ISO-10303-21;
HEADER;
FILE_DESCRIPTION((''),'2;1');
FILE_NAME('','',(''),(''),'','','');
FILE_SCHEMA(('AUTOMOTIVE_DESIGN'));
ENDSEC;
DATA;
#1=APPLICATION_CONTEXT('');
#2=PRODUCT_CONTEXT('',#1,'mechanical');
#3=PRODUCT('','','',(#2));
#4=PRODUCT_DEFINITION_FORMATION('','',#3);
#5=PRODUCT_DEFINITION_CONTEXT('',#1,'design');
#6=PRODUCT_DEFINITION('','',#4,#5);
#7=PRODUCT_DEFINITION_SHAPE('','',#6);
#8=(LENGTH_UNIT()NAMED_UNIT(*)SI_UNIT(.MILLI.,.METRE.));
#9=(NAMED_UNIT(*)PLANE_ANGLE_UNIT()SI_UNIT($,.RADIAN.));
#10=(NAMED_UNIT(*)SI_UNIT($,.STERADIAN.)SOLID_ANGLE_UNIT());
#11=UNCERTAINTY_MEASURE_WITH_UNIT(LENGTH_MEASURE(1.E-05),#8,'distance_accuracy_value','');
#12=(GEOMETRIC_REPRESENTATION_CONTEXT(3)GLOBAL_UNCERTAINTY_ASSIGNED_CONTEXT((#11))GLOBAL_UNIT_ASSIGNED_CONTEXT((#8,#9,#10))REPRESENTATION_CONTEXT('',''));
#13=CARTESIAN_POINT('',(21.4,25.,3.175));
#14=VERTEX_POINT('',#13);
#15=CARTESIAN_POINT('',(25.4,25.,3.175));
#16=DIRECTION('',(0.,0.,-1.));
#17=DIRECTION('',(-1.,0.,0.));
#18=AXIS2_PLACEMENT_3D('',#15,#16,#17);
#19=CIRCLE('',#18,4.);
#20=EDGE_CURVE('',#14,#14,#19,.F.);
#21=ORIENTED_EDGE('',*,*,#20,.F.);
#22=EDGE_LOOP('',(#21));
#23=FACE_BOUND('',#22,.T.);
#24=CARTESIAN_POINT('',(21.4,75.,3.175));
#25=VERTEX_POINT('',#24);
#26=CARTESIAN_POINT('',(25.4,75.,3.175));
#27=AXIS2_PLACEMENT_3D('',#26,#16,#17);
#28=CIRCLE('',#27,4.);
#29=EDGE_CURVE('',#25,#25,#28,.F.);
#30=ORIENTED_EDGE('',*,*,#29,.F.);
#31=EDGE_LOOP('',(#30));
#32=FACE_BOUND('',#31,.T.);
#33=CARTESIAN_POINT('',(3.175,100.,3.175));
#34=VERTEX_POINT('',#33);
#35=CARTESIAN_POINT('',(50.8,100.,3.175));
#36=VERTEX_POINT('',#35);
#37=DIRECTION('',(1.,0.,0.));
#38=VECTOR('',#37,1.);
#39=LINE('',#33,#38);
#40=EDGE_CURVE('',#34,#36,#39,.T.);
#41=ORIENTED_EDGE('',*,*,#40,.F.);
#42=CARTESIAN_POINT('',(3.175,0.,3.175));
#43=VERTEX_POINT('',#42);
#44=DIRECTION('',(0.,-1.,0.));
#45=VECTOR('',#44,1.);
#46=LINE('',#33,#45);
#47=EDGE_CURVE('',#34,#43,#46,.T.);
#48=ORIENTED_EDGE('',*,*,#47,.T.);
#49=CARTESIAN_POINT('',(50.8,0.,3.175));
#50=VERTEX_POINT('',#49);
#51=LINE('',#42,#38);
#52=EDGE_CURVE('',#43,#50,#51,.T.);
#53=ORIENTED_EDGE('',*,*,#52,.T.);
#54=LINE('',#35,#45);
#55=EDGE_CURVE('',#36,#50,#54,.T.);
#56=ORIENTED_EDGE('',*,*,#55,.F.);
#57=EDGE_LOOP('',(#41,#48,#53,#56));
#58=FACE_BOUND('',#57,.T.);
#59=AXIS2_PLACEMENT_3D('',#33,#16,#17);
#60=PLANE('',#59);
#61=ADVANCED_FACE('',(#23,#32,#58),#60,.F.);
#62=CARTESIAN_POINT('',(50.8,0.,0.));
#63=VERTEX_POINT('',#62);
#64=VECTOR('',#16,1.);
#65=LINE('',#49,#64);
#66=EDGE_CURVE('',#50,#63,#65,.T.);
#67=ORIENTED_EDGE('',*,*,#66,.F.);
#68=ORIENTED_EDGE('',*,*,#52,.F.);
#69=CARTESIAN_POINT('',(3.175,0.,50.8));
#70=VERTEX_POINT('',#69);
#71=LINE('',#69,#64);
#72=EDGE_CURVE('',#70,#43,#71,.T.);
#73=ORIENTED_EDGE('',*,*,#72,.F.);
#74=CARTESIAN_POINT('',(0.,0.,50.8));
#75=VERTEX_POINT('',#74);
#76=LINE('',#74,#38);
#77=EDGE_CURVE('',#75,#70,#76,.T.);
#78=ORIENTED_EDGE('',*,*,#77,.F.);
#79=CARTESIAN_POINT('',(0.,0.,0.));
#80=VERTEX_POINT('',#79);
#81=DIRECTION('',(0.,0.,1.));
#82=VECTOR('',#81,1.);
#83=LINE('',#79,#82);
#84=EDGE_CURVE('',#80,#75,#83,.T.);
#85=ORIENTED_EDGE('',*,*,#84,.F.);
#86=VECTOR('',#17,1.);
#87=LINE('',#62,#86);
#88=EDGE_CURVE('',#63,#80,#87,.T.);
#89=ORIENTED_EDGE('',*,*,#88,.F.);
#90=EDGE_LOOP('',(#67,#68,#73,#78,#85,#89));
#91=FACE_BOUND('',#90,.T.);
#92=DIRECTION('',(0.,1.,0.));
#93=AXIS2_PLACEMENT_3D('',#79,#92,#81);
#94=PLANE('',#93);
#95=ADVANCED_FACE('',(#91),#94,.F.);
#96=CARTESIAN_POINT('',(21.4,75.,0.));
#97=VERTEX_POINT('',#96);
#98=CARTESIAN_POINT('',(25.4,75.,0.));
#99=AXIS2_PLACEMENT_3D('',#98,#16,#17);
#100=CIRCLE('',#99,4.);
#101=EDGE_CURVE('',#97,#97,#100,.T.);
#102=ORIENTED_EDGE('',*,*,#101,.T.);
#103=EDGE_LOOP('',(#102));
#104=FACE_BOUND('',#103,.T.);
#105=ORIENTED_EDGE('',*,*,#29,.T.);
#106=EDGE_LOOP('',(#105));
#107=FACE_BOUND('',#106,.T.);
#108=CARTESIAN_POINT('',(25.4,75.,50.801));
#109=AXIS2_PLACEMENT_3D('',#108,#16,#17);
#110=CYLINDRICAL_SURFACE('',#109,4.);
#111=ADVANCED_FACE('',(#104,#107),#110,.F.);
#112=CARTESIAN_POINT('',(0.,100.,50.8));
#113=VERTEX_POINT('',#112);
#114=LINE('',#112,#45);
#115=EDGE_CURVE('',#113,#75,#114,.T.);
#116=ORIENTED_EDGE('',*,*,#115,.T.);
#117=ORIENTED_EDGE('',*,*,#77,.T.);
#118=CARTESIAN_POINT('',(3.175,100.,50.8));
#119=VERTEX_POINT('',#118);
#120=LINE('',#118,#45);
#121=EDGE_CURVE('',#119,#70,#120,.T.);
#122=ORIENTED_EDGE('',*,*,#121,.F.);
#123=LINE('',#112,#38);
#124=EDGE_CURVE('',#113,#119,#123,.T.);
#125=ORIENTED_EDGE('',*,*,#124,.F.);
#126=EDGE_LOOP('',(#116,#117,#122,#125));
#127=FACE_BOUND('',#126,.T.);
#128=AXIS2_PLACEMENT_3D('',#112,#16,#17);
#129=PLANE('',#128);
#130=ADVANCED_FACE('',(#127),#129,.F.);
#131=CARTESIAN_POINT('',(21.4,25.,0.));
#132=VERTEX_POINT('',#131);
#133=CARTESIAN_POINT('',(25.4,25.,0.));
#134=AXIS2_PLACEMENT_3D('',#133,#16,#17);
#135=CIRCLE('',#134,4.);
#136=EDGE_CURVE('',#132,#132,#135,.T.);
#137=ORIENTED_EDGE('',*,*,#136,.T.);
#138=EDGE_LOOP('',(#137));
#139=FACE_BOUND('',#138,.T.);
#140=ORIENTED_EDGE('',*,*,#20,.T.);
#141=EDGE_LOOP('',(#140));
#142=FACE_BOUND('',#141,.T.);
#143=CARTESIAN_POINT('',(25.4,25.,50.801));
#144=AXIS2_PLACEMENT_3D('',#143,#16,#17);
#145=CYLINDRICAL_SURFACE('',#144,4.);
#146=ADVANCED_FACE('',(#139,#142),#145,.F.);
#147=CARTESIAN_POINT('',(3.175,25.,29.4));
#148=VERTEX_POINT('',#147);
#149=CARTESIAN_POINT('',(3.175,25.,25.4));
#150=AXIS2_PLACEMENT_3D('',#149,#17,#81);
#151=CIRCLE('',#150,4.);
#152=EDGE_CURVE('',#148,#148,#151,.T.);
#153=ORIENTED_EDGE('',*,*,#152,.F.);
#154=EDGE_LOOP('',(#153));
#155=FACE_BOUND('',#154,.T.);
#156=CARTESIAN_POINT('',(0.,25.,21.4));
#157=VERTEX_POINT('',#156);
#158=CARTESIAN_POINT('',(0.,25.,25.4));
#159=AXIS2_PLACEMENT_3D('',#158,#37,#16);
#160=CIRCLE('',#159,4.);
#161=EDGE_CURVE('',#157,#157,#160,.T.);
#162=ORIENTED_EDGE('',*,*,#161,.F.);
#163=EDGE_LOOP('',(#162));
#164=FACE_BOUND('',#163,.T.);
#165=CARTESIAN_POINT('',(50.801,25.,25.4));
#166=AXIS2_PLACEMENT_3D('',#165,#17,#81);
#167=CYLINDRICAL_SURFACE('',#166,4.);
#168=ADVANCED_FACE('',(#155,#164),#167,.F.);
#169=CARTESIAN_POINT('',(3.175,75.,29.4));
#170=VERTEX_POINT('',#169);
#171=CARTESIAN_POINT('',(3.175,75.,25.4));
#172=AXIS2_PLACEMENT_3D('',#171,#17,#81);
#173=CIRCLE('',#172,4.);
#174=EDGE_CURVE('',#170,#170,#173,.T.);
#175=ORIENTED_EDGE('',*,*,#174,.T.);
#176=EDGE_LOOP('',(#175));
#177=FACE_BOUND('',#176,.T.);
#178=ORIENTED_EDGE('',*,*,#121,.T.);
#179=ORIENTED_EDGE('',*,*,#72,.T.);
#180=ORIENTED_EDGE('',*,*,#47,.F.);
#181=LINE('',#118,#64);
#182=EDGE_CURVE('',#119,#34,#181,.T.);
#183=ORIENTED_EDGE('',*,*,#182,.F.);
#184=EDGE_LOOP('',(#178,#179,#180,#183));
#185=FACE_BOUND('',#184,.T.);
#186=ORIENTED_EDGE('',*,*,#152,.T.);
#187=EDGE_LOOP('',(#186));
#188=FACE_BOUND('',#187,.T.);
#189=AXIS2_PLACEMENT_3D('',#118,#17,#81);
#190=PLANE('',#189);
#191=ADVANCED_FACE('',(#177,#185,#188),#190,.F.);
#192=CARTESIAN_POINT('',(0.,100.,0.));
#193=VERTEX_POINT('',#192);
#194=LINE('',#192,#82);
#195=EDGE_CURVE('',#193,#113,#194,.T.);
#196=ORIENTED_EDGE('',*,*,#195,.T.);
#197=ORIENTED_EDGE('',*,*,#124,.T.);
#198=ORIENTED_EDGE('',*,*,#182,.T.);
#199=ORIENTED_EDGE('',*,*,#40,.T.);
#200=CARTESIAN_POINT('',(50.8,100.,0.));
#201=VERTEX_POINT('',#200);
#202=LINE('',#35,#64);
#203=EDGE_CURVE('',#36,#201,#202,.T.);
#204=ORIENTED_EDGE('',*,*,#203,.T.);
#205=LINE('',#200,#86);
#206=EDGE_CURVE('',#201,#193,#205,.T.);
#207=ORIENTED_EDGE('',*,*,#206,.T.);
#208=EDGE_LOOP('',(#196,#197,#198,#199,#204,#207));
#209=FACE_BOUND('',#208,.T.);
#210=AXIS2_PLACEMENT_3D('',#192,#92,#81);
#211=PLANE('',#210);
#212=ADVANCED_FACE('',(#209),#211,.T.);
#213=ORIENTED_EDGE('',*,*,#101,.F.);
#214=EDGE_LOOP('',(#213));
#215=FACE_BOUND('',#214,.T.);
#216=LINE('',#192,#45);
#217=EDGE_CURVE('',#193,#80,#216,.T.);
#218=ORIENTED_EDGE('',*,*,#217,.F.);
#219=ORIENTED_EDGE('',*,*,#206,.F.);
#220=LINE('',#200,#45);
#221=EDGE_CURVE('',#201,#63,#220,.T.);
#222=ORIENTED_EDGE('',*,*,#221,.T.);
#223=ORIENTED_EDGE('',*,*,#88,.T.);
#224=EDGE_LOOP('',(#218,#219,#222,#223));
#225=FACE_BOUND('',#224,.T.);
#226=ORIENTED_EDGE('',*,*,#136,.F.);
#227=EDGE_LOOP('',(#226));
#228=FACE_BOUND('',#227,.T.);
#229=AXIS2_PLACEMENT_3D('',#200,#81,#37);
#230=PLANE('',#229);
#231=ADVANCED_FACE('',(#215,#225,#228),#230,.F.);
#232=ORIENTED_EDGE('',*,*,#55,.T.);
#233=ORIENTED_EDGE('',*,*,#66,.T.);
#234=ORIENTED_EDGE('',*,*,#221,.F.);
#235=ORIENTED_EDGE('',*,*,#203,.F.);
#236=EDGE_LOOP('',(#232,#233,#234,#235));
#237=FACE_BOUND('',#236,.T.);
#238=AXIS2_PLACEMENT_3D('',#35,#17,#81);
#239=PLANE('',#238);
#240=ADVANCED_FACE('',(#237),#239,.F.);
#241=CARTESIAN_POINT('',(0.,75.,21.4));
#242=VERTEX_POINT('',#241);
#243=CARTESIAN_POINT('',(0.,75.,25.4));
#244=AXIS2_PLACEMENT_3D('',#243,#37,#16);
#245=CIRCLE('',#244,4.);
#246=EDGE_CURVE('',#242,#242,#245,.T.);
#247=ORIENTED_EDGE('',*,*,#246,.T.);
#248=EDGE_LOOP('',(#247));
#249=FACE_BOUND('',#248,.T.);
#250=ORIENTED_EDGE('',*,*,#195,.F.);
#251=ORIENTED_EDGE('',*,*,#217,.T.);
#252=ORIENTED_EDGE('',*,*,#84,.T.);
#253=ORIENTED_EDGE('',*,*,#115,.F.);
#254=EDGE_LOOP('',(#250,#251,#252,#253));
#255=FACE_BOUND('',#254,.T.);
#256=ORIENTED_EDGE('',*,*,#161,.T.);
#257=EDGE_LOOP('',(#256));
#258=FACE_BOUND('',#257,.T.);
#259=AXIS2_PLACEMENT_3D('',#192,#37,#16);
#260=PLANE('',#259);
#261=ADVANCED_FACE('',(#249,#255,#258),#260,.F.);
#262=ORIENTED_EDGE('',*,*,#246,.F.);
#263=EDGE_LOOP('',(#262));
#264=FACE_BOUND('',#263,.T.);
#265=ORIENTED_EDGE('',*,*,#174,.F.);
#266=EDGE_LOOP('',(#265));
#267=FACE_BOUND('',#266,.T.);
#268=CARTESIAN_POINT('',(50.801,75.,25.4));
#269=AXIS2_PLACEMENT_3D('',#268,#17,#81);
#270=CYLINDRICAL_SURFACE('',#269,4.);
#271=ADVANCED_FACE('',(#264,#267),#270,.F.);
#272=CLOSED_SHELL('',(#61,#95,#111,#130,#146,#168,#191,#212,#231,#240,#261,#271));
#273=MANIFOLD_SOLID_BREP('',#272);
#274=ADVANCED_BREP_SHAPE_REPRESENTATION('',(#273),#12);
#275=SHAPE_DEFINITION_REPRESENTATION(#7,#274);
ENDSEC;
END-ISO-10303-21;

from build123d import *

# Parameters (mm, degrees)
BOSS_EXTRUDE1_DEPTH = 100
CUT_EXTRUDE1_REACH  = 125.131
SKETCH2_R           = 4


with BuildPart() as part:
    # Sketch1 → Boss-Extrude1 (new body)
    with BuildSketch(Plane(origin=(0, 0, 0), x_dir=(1, 0, 0), z_dir=(0, 1, 0))):
        Polygon((0, 0), (0, -50.8), (3.175, -50.8), (3.175, -3.175), (50.8, -3.175), (50.8, 0), align=None)
    extrude(amount=BOSS_EXTRUDE1_DEPTH)

    # Sketch2 → Cut-Extrude1 (cut, up to next)
    with BuildSketch(Plane(origin=(0, 0, 0), x_dir=(-1, 0, 0), z_dir=(0, 0, -1)), mode=Mode.PRIVATE) as cut_extrude1_sk1:
        with Locations((-25.4, 75)):
            Circle(SKETCH2_R)
    cut_extrude1_tool1 = extrude(cut_extrude1_sk1.sketch, amount=-CUT_EXTRUDE1_REACH, mode=Mode.PRIVATE) & part.part
    # Sketch2 → Cut-Extrude1 (cut, up to next)
    with BuildSketch(Plane(origin=(0, 0, 0), x_dir=(-1, 0, 0), z_dir=(0, 0, -1)), mode=Mode.PRIVATE) as cut_extrude1_sk2:
        with Locations((-25.4, 25)):
            Circle(SKETCH2_R)
    cut_extrude1_tool2 = extrude(cut_extrude1_sk2.sketch, amount=-CUT_EXTRUDE1_REACH, mode=Mode.PRIVATE) & part.part
    cut_extrude1_1 = cut_extrude1_tool1.solids().sort_by_distance((25.4, 75, 0))[0]
    add(cut_extrude1_1, mode=Mode.SUBTRACT)
    cut_extrude1_2 = cut_extrude1_tool2.solids().sort_by_distance((25.4, 25, 0))[0]
    add(cut_extrude1_2, mode=Mode.SUBTRACT)
    cut_extrude1 = cut_extrude1_1 + cut_extrude1_2  # Cut-Extrude1 as one shape, for the pattern or mirror that repeats it

    # Mirror1: Cut-Extrude1 across plane
    add(cut_extrude1.mirror(Plane(origin=(0, 0, 0), x_dir=(0.7071067811865478, 0, 0.7071067811865472), z_dir=(0.7071067811865475, 0, -0.7071067811865477))), mode=Mode.SUBTRACT)


solid = part.part
